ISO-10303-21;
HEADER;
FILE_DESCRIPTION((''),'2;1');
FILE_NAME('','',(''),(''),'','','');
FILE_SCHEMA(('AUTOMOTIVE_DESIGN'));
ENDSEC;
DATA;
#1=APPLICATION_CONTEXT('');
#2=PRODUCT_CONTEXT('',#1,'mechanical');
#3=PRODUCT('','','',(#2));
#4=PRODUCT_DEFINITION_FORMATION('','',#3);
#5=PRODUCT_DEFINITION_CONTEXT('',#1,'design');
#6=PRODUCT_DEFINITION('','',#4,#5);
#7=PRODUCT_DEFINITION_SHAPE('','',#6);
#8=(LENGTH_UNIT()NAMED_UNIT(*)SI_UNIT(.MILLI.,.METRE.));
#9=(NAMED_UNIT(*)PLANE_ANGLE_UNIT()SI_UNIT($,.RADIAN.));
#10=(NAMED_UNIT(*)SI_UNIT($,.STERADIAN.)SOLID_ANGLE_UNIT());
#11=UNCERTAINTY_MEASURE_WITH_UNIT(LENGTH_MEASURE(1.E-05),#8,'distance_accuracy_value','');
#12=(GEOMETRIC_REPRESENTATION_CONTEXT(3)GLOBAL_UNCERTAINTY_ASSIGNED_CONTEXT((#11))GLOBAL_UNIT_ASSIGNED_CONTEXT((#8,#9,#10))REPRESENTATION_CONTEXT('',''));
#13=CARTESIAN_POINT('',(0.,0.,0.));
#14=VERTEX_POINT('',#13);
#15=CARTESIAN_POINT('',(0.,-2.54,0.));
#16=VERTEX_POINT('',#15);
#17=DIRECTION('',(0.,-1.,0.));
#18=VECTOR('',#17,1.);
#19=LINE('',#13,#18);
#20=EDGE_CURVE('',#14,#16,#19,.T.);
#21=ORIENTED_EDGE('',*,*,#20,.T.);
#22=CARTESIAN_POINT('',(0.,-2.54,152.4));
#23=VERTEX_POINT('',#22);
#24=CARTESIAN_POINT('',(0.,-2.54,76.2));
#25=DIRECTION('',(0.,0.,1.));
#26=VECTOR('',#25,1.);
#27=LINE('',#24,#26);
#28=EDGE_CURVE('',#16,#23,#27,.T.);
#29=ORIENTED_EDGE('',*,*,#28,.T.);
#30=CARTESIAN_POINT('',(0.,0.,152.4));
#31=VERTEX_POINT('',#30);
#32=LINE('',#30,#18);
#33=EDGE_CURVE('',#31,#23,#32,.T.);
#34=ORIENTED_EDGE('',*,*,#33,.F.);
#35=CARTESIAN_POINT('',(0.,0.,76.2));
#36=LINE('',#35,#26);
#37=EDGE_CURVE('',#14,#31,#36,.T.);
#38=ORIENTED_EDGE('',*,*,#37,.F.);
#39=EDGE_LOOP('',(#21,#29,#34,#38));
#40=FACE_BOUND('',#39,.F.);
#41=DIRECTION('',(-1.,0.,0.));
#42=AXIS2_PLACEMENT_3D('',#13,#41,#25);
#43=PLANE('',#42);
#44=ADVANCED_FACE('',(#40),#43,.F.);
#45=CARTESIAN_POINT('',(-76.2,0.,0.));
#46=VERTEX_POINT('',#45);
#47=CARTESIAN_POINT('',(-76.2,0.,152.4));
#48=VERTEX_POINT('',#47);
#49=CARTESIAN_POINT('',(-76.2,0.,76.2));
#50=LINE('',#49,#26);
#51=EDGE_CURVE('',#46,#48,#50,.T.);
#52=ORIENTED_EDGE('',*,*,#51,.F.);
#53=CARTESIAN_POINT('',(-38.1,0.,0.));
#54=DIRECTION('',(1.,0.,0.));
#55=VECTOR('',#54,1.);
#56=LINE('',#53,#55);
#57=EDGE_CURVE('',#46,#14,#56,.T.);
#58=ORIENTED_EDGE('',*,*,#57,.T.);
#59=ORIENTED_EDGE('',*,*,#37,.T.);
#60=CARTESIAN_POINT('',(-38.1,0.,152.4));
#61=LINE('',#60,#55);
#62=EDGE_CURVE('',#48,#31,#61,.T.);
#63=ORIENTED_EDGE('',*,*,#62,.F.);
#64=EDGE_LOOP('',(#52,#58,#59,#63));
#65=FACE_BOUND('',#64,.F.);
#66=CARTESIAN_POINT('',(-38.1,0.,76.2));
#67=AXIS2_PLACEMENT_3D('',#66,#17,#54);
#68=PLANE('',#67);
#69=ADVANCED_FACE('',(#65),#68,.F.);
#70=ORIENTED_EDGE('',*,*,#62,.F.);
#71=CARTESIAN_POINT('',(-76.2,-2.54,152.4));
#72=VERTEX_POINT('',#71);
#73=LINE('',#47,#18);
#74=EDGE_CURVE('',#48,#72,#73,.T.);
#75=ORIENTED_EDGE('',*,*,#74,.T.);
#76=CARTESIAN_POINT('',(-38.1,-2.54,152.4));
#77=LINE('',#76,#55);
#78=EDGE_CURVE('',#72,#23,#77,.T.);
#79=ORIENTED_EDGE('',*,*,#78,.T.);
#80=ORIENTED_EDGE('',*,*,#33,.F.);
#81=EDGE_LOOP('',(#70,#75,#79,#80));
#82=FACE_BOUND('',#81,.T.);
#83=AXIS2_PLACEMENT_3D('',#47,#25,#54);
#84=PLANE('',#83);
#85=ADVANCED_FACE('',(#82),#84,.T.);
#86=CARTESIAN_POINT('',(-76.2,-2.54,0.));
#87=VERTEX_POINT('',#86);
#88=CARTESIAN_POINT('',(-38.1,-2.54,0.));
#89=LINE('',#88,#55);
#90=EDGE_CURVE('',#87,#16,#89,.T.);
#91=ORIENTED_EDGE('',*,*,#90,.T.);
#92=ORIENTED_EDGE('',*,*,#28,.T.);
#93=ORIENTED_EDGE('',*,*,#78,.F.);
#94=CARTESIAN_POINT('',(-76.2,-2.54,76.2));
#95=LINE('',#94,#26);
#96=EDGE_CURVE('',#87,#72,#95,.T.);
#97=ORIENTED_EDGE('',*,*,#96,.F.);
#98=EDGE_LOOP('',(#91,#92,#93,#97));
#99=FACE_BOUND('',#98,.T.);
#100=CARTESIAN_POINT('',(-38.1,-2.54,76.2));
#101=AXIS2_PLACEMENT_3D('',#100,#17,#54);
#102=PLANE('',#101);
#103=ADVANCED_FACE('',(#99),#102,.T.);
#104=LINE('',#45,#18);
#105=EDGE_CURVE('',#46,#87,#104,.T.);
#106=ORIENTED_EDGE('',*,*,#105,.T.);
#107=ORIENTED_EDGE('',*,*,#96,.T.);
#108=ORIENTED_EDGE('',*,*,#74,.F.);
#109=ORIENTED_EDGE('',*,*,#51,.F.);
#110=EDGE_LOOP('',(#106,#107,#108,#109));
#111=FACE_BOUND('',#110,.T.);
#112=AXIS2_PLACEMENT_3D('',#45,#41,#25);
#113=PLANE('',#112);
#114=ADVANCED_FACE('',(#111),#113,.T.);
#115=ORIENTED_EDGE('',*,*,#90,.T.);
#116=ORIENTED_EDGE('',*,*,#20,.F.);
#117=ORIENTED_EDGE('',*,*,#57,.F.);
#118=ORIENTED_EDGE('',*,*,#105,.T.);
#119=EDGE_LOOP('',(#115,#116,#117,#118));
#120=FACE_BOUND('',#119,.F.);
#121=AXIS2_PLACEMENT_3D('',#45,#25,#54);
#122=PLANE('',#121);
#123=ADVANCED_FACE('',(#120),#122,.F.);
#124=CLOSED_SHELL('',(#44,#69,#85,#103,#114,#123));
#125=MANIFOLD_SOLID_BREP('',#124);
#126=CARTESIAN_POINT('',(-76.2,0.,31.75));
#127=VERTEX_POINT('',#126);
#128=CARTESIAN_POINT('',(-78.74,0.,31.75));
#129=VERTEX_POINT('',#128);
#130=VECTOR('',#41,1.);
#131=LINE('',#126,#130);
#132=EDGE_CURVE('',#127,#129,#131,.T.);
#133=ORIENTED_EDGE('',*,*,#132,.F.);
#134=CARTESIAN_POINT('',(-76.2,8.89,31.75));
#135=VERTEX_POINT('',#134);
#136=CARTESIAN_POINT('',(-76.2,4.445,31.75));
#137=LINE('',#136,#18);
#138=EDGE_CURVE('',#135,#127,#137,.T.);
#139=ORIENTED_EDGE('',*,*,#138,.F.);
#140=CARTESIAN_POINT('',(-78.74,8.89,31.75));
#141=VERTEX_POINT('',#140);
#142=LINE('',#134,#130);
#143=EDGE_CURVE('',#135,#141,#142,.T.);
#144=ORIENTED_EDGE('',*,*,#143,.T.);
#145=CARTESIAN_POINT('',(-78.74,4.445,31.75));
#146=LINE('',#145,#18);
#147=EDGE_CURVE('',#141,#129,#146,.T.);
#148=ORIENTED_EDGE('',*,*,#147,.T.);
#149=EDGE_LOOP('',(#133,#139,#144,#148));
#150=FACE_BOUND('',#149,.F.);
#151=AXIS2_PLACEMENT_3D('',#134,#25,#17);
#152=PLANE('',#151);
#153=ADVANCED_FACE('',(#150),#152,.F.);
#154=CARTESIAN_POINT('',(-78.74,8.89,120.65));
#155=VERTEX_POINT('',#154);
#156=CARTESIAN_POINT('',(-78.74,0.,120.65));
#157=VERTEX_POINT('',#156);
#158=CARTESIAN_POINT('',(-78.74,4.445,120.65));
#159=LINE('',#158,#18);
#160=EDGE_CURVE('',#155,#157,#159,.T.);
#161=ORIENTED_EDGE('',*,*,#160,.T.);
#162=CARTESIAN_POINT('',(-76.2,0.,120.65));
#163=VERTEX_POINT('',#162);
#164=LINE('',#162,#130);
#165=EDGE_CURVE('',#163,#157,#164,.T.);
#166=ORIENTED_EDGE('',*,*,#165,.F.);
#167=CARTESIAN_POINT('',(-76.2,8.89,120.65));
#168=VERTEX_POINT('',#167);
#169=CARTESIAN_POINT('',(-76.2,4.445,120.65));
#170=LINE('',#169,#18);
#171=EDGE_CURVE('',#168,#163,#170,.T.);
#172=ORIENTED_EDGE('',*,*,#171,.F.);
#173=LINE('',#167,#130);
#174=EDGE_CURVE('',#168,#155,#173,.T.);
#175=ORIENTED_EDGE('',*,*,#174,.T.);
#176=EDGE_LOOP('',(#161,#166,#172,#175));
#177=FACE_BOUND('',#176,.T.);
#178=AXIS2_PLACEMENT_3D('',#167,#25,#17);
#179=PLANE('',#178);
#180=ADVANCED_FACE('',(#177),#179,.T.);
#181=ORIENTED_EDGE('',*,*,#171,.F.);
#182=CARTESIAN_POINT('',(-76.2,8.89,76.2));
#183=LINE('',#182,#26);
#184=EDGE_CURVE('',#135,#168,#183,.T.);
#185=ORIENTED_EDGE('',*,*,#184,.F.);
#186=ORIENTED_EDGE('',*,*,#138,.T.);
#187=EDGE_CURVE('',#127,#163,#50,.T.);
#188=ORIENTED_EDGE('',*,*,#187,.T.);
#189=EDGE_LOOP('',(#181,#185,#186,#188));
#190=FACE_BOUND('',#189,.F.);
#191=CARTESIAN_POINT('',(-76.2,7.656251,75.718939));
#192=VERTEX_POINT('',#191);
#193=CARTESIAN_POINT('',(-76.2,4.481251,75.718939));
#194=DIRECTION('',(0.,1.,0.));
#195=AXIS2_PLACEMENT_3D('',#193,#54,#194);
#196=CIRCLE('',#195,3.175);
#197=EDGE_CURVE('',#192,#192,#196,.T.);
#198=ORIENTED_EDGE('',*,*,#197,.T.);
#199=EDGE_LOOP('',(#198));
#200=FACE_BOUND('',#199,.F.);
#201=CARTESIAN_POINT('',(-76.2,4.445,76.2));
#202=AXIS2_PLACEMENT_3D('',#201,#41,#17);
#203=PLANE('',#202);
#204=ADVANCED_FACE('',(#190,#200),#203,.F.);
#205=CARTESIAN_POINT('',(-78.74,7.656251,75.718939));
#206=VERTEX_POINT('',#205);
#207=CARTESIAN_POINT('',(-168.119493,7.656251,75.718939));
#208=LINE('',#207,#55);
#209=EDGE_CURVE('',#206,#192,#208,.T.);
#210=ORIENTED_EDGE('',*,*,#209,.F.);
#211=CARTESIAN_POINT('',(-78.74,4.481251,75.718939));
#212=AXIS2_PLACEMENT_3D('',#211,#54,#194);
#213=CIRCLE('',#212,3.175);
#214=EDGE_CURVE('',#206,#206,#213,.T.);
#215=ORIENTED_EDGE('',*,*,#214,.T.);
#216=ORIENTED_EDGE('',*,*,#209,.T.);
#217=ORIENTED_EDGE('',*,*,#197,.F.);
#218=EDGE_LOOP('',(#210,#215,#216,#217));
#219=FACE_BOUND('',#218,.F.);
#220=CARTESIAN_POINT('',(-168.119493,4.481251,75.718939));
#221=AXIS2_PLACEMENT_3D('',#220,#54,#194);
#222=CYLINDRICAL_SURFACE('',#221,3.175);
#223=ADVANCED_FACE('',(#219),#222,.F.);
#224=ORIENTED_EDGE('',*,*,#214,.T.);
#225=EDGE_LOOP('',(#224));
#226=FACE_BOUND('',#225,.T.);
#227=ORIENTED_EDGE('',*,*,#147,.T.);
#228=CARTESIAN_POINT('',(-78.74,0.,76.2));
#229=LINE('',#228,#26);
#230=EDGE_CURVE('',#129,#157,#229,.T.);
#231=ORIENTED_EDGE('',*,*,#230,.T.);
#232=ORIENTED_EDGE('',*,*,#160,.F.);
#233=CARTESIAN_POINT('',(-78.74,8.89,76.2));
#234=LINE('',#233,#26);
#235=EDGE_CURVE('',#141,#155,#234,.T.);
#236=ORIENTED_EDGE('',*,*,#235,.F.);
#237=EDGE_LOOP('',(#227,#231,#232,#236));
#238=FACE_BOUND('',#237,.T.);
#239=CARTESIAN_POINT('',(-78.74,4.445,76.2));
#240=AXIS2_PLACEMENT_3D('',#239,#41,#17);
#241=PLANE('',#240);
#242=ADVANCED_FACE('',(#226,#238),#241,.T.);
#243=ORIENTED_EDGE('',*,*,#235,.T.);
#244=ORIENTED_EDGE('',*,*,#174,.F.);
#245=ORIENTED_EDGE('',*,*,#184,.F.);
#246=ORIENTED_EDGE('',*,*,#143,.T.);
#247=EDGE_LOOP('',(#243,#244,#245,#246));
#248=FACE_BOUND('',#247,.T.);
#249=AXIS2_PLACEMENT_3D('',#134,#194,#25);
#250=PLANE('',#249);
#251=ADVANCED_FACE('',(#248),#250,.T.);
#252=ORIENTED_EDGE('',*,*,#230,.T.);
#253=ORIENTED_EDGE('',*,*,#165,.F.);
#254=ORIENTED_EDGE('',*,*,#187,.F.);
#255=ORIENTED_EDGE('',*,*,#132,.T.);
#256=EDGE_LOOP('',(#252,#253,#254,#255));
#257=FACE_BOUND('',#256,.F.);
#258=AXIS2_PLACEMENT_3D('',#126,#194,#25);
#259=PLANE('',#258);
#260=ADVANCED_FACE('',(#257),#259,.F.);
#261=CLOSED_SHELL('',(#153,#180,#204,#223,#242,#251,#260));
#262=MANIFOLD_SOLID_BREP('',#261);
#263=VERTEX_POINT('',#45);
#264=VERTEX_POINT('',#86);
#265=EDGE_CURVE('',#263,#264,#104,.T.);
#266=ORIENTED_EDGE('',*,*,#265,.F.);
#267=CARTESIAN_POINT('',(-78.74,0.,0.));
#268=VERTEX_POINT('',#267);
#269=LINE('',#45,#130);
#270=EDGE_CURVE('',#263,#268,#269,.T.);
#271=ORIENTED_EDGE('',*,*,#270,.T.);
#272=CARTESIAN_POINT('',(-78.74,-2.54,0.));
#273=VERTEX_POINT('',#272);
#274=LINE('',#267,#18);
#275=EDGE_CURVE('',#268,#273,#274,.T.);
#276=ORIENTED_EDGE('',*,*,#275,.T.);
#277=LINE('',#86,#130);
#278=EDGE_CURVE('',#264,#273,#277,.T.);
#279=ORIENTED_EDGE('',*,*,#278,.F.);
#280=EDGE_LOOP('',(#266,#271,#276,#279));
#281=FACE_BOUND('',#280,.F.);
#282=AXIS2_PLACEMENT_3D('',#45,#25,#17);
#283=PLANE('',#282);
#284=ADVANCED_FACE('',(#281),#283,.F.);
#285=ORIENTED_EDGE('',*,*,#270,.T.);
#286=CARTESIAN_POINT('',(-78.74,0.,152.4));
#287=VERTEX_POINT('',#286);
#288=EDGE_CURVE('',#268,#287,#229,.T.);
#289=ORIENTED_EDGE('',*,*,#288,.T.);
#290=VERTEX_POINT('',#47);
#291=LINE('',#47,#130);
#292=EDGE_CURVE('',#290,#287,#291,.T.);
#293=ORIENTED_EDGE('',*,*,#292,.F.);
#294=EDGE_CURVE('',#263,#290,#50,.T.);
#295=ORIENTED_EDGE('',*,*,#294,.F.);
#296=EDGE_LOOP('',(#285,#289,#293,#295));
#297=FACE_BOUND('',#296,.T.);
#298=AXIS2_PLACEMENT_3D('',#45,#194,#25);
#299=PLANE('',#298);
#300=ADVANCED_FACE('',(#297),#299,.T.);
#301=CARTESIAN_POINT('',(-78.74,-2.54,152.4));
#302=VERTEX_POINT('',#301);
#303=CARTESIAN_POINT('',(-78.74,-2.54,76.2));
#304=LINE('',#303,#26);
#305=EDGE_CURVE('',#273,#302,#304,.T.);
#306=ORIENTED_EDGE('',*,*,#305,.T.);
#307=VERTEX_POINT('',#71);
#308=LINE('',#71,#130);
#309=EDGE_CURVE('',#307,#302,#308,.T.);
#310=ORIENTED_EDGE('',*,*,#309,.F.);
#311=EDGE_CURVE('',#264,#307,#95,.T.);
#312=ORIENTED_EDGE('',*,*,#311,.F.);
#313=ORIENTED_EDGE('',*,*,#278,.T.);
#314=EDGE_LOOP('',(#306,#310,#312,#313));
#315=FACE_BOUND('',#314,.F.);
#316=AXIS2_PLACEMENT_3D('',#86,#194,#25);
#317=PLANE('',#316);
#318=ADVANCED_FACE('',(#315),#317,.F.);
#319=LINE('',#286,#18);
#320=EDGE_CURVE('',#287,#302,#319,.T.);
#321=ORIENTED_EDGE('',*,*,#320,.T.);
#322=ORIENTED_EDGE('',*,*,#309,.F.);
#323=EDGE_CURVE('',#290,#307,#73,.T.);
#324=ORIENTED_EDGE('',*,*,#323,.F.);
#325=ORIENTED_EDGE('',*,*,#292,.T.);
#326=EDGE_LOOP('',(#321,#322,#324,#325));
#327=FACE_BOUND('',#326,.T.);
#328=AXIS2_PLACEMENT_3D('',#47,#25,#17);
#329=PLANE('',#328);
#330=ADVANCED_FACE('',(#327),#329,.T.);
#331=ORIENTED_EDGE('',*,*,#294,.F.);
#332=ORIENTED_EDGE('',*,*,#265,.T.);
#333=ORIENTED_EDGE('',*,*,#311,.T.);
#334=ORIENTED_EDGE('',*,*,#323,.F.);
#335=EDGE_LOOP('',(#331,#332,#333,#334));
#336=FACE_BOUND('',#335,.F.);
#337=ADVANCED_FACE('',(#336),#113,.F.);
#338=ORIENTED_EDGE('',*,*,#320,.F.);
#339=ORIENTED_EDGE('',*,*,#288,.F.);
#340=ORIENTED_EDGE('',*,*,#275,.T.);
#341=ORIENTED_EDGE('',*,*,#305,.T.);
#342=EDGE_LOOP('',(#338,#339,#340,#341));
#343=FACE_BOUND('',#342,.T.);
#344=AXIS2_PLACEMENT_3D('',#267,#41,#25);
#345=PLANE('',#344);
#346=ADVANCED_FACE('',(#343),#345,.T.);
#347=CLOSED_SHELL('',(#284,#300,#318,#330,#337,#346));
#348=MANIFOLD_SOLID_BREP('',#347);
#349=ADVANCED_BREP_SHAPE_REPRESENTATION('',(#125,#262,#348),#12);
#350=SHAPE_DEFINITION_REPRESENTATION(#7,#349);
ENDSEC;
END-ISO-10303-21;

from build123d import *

# Parameters (mm, degrees)
F0_W     = 76.2
F0_H     = 152.4
F1_DEPTH = 2.54
F2_W     = 8.89
F2_H     = 88.9
F3_DEPTH = 2.54
F4_DEPTH = 2.54
F6_D     = 6.35


with BuildPart() as f1:
    # F0 (on Front) → F1 (new body)
    with BuildSketch(Plane.XZ):
        with Locations((-38.1, 76.2)):
            Rectangle(F0_W, F0_H)
    extrude(amount=F1_DEPTH)


with BuildPart() as f3:
    # F2 (on face) → F3 (new body)
    with BuildSketch(Plane(origin=(-76.2, 0, 0), x_dir=(0, -1, 0), z_dir=(-1, 0, 0))):
        with Locations((-4.445, 76.2)):
            Rectangle(F2_W, F2_H)
    extrude(amount=F3_DEPTH)

    # F6 (through all)
    with Locations(Plane(origin=(-78.74, 0, 0), x_dir=(0, -1, 0), z_dir=(-1, 0, 0))):
        with Locations((-4.4812513515, 75.7189393044)):
            Hole(F6_D / 2)


with BuildPart() as f4:
    # F4 (new): a face of the model
    f4_faces = [f1.part.faces().sort_by_distance(p)[0] for p in [
        (-76.2, -1.27, 76.2),
    ]]
    extrude(f4_faces, amount=F4_DEPTH)


solid = Compound([f1.part, f3.part, f4.part])
